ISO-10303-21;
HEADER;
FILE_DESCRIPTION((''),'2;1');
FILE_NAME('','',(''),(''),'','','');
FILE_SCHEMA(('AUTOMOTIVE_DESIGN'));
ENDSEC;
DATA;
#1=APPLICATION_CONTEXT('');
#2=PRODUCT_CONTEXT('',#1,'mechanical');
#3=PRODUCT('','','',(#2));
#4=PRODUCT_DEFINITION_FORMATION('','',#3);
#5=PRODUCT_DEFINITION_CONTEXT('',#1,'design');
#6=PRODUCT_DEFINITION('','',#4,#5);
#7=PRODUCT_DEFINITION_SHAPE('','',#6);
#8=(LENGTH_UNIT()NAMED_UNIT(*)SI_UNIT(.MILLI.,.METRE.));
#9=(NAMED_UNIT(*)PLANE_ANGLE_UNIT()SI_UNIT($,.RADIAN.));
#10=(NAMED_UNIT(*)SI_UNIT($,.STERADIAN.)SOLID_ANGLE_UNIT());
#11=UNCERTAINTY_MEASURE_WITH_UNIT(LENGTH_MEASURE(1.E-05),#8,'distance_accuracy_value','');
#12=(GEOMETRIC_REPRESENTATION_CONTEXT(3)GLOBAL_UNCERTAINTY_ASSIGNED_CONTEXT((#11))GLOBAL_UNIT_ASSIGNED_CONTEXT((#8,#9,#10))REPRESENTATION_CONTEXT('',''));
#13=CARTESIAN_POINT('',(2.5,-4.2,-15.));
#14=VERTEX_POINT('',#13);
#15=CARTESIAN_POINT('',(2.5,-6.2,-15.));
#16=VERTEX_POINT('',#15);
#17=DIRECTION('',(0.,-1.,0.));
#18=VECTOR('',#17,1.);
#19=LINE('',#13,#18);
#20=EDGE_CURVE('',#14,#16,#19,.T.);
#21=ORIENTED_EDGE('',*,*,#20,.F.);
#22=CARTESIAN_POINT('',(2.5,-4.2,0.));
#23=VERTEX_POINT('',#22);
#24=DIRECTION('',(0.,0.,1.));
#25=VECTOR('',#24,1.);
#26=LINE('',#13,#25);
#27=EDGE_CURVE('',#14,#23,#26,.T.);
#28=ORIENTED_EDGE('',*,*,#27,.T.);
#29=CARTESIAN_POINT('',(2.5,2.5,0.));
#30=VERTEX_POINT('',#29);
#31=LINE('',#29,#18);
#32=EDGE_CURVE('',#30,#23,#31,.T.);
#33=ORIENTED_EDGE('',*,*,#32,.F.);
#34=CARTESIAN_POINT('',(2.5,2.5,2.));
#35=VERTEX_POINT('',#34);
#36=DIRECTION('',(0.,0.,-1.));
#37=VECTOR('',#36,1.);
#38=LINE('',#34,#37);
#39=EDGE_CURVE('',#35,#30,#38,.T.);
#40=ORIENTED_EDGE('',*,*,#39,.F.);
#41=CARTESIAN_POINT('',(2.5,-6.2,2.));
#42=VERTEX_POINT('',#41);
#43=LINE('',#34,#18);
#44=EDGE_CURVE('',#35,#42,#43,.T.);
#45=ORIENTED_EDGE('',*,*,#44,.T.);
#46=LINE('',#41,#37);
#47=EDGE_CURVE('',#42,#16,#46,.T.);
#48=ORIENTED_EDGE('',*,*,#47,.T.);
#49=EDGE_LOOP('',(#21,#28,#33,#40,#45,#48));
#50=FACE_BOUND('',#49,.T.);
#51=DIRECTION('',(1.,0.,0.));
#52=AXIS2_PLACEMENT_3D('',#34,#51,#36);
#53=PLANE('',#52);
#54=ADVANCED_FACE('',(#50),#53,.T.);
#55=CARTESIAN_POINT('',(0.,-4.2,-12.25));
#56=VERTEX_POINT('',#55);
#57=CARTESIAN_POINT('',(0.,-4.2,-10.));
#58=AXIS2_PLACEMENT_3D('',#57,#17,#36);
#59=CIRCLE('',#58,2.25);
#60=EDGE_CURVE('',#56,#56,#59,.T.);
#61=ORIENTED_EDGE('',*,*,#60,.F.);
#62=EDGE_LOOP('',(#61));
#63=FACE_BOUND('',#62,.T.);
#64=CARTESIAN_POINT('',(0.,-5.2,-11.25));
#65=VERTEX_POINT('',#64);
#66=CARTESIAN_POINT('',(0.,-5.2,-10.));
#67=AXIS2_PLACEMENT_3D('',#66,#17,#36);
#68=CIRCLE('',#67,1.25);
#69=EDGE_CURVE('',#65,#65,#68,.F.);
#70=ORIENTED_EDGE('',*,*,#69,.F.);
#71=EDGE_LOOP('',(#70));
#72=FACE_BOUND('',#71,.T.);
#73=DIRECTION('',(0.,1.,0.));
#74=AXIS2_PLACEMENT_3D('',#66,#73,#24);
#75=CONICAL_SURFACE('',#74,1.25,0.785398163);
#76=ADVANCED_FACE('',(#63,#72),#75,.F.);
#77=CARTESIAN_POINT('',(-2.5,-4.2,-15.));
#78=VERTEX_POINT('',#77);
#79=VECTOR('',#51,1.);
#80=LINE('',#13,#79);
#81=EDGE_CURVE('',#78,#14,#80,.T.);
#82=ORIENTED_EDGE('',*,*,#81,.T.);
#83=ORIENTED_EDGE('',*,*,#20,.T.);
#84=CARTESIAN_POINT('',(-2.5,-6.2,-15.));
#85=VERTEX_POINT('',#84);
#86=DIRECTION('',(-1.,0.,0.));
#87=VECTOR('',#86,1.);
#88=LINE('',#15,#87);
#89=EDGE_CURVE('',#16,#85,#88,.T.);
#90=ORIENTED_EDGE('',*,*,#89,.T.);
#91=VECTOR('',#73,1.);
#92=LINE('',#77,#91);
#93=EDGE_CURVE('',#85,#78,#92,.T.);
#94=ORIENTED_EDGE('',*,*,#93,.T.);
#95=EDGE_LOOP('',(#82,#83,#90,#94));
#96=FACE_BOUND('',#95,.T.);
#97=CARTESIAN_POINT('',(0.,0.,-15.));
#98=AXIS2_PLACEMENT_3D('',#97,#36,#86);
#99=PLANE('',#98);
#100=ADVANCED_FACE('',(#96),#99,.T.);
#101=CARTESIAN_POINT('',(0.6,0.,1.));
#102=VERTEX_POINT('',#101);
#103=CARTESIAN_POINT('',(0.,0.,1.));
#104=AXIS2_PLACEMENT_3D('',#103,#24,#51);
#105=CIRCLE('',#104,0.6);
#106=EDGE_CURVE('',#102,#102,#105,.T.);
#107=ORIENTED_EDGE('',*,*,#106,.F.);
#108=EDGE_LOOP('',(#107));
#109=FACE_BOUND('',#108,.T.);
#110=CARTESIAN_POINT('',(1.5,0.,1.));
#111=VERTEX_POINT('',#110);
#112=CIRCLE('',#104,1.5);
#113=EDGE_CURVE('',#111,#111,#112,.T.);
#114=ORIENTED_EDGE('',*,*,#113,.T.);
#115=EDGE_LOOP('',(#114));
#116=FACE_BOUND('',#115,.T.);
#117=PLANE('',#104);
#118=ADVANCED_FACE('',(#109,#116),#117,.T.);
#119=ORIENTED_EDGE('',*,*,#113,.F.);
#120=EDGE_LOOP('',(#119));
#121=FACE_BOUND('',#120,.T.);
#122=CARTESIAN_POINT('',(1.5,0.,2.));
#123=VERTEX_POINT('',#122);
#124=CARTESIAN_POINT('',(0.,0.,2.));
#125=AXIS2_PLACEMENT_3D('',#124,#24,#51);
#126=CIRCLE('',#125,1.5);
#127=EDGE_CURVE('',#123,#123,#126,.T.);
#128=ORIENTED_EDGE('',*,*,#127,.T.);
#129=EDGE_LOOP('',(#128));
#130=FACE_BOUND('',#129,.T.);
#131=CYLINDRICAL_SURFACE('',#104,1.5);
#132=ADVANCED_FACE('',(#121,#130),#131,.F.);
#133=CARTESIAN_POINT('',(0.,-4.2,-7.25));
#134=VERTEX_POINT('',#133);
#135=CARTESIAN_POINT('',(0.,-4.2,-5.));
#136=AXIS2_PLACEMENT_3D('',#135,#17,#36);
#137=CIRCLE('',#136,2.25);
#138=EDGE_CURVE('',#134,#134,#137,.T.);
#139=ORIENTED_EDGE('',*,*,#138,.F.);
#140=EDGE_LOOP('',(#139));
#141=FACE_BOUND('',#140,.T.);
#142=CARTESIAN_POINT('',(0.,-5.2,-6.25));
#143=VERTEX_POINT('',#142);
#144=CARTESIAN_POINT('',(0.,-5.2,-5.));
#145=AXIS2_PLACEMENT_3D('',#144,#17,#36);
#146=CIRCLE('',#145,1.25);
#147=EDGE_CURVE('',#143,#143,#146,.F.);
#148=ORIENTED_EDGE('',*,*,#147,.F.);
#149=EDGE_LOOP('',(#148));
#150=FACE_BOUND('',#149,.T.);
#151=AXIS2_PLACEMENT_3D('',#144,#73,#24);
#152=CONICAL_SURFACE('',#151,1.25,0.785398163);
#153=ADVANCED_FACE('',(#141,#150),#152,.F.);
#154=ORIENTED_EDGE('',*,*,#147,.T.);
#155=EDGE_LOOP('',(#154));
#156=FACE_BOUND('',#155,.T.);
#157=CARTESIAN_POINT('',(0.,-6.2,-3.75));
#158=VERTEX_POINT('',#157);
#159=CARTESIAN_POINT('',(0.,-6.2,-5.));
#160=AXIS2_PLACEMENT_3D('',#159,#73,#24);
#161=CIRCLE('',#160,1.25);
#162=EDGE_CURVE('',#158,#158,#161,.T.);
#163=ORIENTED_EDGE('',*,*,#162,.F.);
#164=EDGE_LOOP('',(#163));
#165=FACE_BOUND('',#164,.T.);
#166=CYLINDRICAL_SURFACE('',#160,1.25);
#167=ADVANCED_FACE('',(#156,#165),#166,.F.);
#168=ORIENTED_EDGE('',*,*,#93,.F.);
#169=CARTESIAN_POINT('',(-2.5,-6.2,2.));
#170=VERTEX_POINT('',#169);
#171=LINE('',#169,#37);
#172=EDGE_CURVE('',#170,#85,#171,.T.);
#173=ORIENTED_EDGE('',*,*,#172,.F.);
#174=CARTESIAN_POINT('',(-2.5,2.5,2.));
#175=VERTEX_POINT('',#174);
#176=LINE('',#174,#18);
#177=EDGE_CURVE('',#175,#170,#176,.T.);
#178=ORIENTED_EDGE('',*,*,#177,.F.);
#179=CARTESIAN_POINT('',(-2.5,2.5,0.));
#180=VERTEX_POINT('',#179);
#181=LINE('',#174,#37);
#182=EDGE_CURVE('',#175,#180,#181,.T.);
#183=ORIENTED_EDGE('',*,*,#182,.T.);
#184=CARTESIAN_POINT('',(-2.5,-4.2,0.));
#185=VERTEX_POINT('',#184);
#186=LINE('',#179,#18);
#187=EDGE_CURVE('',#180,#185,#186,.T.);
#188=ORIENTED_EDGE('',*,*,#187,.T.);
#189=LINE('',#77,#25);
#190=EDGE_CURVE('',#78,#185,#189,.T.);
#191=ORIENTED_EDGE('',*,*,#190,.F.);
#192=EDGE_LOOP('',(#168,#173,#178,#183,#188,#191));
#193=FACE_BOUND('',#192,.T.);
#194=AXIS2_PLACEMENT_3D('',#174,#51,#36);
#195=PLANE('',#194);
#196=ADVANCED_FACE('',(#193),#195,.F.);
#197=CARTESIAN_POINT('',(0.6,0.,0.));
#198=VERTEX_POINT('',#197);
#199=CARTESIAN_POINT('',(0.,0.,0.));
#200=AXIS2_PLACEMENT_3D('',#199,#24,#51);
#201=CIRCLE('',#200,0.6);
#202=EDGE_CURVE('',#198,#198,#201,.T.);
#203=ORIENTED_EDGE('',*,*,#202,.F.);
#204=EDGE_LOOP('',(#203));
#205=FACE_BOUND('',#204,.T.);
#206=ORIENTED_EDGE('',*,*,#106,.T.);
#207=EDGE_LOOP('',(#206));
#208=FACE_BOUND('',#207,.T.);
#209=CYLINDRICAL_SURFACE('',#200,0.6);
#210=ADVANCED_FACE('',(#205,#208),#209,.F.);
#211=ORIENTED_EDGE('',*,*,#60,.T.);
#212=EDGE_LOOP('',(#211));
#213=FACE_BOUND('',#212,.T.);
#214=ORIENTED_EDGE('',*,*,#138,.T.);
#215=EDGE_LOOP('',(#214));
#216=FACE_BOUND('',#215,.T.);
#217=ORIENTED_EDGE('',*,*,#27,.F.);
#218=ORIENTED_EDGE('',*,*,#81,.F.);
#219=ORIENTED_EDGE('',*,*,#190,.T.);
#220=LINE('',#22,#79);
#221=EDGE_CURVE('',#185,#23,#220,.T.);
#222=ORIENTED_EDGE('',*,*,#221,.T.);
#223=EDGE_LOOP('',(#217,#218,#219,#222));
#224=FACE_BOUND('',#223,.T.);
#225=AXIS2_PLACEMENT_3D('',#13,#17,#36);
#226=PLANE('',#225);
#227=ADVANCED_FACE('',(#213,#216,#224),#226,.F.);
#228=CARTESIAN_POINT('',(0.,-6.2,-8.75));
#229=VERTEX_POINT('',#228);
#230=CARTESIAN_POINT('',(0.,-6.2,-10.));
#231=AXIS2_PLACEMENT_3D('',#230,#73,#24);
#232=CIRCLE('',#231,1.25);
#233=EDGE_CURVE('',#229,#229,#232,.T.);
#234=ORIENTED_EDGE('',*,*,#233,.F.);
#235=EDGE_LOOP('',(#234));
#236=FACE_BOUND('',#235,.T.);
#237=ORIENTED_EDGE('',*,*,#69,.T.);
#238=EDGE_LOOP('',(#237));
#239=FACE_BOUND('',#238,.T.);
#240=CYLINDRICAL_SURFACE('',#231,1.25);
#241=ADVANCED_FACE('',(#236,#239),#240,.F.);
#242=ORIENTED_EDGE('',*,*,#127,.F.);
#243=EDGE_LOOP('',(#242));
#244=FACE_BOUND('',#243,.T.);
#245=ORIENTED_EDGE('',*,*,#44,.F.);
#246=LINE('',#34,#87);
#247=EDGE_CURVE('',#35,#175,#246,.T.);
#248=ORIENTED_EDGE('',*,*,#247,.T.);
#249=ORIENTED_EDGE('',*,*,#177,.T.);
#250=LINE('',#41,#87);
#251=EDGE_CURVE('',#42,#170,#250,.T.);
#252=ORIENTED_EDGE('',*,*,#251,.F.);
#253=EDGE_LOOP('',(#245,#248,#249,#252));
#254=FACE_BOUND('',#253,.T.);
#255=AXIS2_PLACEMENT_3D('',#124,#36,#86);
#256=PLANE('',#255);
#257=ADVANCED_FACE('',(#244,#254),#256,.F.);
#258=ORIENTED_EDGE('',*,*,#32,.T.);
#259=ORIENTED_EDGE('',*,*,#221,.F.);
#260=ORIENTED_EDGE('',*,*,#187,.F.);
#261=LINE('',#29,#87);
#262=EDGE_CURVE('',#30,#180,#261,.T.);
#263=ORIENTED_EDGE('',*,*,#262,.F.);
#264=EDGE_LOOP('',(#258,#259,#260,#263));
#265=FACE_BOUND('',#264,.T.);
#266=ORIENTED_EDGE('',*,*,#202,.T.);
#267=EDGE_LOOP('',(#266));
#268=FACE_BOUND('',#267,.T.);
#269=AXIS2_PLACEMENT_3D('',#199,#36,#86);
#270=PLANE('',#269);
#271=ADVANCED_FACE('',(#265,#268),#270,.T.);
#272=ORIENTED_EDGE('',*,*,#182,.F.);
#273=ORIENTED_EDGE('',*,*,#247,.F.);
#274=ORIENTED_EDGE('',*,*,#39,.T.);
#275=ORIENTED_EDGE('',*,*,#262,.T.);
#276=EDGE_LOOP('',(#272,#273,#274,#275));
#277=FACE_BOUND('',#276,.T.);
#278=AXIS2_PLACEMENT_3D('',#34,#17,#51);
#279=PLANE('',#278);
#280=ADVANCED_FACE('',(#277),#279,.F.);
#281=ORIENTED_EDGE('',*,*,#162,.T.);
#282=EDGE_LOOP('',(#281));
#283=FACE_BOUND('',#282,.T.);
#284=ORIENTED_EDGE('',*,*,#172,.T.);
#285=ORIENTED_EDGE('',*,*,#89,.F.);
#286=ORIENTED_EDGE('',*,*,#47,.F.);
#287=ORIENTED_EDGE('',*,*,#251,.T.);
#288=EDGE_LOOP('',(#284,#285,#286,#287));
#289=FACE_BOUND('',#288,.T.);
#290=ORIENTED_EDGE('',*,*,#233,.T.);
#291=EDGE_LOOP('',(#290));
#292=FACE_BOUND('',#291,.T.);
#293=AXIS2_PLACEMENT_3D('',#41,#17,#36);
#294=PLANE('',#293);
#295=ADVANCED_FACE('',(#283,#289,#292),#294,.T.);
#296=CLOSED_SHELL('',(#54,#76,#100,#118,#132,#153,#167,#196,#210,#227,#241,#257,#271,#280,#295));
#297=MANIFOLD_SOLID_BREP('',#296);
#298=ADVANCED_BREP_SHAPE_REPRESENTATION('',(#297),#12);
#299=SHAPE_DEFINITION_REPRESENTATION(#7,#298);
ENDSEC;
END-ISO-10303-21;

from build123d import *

# Parameters (mm, degrees)
SKETCH1_W           = 5
SKETCH1_H           = 8.7
BOSS_EXTRUDE2_DEPTH = 2
SKETCH2_R           = 1.5
CUT_EXTRUDE1_DEPTH  = 1
SKETCH3_R           = 0.6
CUT_EXTRUDE2_DEPTH  = 1
SKETCH4_W           = 5
SKETCH4_H           = 2
BOSS_EXTRUDE4_DEPTH = 15
SKETCH6_R           = 1.25
CUT_EXTRUDE4_DEPTH  = 2
CHAMFER1_SIZE       = 1


with BuildPart() as part:
    # Sketch1 → Boss-Extrude2 (new body)
    with BuildSketch(Plane.XY):
        with Locations((0, -1.85)):
            Rectangle(SKETCH1_W, SKETCH1_H)
    extrude(amount=BOSS_EXTRUDE2_DEPTH)

    # Sketch2 → Cut-Extrude1 (cut)
    with BuildSketch(Plane.XY.offset(2)):
        Circle(SKETCH2_R)
    extrude(amount=-CUT_EXTRUDE1_DEPTH, mode=Mode.SUBTRACT)

    # Sketch3 → Cut-Extrude2 (cut)
    with BuildSketch(Plane.XY.offset(1)):
        Circle(SKETCH3_R)
    extrude(amount=-CUT_EXTRUDE2_DEPTH, mode=Mode.SUBTRACT)

    # Sketch4 → Boss-Extrude4 (add)
    with BuildSketch(Plane(origin=(0, 0, 0), x_dir=(-1, 0, 0), z_dir=(0, 0, -1))):
        with Locations((0, -5.2)):
            Rectangle(SKETCH4_W, SKETCH4_H)
    extrude(amount=BOSS_EXTRUDE4_DEPTH)

    # Sketch6 → Cut-Extrude4 (cut)
    with BuildSketch(Plane(origin=(0, -4.2, 0), x_dir=(1, 0, 0), z_dir=(0, 1, 0))):
        with Locations((0, 10)):
            Circle(SKETCH6_R)
        with Locations((0, 5)):
            Circle(SKETCH6_R)
    extrude(amount=-CUT_EXTRUDE4_DEPTH, mode=Mode.SUBTRACT)

    # Chamfer1
    chamfer1_edges = [part.edges().sort_by_distance(p)[0] for p in [
        (-1.25, -4.2, -10),
        (-1.25, -4.2, -5),
    ]]
    chamfer(chamfer1_edges, length=CHAMFER1_SIZE)


solid = part.part
